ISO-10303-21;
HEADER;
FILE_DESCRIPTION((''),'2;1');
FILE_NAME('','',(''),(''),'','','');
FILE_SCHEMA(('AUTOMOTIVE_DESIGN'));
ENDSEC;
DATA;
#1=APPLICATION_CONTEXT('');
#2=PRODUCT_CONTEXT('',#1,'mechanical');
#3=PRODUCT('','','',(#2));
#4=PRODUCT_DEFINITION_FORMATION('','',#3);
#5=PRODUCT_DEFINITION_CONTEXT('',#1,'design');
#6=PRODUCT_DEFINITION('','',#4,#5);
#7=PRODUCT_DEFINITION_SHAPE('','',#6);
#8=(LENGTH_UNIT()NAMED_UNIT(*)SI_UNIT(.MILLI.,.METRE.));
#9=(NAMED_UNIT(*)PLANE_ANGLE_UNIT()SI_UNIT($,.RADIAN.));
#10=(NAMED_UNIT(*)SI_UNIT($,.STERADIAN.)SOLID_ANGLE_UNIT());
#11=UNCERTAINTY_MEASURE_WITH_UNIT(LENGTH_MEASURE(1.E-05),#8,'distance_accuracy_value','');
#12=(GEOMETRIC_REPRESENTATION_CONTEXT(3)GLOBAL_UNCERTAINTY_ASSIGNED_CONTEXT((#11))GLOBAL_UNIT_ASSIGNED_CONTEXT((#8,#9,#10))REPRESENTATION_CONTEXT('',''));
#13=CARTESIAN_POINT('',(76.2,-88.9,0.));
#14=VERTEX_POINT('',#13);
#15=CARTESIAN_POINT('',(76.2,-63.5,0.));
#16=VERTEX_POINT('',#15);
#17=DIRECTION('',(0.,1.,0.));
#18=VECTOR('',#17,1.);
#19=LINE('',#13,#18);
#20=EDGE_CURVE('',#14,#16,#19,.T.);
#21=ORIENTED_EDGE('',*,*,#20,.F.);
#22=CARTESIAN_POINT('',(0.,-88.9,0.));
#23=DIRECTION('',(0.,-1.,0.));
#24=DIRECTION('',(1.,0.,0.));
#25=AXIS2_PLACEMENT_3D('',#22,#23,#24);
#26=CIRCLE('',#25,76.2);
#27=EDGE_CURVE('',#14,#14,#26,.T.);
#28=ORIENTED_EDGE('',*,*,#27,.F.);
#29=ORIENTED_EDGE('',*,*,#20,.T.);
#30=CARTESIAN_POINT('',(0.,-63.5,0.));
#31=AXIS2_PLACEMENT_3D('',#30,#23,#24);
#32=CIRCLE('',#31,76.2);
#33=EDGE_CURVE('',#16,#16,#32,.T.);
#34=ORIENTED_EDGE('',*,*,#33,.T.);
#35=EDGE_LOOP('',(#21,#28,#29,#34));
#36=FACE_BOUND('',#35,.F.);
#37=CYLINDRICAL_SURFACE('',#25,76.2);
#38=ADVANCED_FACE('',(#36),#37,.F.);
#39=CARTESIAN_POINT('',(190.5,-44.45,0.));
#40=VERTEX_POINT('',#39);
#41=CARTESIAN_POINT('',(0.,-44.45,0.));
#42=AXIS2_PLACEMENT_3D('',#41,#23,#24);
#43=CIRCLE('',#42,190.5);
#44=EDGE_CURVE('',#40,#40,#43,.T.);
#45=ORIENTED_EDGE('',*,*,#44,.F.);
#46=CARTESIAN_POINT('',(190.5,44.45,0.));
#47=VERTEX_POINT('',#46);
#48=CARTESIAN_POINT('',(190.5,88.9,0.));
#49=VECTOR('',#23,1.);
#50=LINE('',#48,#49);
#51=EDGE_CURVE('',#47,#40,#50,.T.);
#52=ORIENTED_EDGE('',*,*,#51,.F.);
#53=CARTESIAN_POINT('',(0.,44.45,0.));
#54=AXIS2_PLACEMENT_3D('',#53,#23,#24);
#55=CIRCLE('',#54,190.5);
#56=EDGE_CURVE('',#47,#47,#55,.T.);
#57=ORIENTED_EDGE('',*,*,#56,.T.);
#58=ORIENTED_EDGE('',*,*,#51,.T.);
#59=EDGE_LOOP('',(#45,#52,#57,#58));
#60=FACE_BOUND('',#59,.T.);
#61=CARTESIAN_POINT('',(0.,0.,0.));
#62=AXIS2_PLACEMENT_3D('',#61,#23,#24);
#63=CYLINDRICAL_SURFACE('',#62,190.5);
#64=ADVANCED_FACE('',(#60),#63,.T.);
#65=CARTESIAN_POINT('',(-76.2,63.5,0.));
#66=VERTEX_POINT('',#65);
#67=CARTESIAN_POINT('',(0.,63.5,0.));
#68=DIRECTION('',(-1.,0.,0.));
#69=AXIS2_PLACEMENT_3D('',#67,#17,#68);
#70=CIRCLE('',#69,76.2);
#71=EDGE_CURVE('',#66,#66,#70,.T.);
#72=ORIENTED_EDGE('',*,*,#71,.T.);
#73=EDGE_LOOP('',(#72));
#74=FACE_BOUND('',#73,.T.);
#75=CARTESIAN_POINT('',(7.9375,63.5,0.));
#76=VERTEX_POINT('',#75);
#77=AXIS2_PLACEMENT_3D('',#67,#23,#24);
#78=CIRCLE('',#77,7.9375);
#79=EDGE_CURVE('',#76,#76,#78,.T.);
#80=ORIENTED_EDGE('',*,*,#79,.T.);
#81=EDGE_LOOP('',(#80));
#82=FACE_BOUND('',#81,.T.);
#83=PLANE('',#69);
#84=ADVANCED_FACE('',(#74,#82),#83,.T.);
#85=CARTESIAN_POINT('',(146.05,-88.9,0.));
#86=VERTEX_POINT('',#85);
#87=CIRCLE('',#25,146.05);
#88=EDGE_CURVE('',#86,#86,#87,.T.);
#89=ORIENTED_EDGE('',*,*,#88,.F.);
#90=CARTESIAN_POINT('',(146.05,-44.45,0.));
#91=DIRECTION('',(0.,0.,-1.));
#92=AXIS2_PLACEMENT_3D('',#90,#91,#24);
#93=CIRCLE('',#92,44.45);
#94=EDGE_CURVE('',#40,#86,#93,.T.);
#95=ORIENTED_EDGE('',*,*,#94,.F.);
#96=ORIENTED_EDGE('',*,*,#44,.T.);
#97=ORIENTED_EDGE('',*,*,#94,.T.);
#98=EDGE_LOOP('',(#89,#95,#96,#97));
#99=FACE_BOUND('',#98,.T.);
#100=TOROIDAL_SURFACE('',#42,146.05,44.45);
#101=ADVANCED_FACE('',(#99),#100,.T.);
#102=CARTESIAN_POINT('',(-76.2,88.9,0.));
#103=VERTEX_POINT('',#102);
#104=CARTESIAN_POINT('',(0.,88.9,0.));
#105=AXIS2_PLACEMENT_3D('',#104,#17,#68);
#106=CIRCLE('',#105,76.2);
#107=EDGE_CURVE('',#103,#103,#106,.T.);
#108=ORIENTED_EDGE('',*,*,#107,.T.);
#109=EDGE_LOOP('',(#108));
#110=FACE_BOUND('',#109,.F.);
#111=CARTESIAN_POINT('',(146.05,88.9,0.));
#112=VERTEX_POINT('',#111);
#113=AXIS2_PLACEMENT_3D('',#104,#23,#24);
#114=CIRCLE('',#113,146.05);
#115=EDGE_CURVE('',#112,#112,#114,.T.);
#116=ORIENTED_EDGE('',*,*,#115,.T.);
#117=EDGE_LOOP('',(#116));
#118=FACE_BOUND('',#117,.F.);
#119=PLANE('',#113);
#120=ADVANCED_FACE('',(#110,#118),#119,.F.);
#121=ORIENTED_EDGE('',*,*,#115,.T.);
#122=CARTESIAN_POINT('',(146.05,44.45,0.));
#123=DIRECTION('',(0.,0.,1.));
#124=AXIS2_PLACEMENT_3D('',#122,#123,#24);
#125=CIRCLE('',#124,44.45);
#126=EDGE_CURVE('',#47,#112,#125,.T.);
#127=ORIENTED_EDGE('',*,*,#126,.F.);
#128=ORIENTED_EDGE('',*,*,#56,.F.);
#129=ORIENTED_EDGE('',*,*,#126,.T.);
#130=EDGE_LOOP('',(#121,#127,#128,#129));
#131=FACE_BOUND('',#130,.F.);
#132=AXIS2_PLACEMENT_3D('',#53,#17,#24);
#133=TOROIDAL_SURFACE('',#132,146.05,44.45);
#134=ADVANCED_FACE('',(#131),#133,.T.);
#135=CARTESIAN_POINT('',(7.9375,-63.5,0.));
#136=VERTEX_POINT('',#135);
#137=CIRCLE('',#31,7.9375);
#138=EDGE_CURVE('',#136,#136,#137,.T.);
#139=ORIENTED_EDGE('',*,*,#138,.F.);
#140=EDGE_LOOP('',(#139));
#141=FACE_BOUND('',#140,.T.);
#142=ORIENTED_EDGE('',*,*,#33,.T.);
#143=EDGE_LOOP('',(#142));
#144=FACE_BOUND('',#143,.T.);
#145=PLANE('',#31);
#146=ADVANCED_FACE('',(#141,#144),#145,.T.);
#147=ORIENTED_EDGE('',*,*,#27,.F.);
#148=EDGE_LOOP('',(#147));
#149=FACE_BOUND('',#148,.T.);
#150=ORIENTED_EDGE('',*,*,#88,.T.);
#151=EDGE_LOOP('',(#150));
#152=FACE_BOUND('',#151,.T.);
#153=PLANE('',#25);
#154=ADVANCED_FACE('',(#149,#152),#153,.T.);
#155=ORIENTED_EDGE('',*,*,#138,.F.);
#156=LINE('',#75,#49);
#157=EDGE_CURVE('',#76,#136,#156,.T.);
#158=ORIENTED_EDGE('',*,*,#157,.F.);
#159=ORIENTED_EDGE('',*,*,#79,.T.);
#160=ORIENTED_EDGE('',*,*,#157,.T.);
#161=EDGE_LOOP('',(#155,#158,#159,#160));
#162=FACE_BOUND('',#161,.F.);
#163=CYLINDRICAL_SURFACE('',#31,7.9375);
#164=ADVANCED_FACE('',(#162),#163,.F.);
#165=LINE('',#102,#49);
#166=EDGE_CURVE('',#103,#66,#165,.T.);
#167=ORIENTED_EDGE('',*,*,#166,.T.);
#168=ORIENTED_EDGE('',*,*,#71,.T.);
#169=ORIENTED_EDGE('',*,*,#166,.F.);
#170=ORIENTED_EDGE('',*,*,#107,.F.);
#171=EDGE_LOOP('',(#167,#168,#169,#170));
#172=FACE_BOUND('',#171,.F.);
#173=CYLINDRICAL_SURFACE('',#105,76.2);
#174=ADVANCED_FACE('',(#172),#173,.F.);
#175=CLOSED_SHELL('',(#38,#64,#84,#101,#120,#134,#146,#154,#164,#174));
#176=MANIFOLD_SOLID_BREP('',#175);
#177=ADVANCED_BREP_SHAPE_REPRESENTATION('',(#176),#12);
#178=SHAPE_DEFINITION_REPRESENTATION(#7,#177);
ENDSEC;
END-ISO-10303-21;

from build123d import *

# Parameters (mm, degrees)
F0_R     = 190.5
F1_DEPTH = 88.9
F2_R     = 76.2
F3_DEPTH = 25.4
F4_R     = 76.2
F5_DEPTH = 25.4
F6_R     = 7.9375
F7_DEPTH = 127
F8_R     = 44.45


with BuildPart() as f1:
    # F0 (on Front) → F1 (new body, symmetric)
    with BuildSketch(Plane.XZ):
        Circle(F0_R)
    extrude(amount=F1_DEPTH, both=True)

    # F2 (on face) → F3 (cut)
    with BuildSketch(Plane.XZ.offset(88.9)):
        Circle(F2_R)
    extrude(amount=-F3_DEPTH, mode=Mode.SUBTRACT)

    # F4 (on face) → F5 (cut)
    with BuildSketch(Plane(origin=(0, 88.9, 0), x_dir=(-1, 0, 0), z_dir=(0, 1, 0))):
        Circle(F4_R)
    extrude(amount=-F5_DEPTH, mode=Mode.SUBTRACT)

    # F6 (on face) → F7 (cut, symmetric)
    with BuildSketch(Plane.XZ.offset(63.5)):
        Circle(F6_R)
    extrude(amount=F7_DEPTH, both=True, mode=Mode.SUBTRACT)

    # F8
    f8_edges = [f1.edges().sort_by_distance(p)[0] for p in [
        (-190.5, 88.9, 0),
        (-190.5, -88.9, 0),
    ]]
    fillet(f8_edges, radius=F8_R)


solid = f1.part
